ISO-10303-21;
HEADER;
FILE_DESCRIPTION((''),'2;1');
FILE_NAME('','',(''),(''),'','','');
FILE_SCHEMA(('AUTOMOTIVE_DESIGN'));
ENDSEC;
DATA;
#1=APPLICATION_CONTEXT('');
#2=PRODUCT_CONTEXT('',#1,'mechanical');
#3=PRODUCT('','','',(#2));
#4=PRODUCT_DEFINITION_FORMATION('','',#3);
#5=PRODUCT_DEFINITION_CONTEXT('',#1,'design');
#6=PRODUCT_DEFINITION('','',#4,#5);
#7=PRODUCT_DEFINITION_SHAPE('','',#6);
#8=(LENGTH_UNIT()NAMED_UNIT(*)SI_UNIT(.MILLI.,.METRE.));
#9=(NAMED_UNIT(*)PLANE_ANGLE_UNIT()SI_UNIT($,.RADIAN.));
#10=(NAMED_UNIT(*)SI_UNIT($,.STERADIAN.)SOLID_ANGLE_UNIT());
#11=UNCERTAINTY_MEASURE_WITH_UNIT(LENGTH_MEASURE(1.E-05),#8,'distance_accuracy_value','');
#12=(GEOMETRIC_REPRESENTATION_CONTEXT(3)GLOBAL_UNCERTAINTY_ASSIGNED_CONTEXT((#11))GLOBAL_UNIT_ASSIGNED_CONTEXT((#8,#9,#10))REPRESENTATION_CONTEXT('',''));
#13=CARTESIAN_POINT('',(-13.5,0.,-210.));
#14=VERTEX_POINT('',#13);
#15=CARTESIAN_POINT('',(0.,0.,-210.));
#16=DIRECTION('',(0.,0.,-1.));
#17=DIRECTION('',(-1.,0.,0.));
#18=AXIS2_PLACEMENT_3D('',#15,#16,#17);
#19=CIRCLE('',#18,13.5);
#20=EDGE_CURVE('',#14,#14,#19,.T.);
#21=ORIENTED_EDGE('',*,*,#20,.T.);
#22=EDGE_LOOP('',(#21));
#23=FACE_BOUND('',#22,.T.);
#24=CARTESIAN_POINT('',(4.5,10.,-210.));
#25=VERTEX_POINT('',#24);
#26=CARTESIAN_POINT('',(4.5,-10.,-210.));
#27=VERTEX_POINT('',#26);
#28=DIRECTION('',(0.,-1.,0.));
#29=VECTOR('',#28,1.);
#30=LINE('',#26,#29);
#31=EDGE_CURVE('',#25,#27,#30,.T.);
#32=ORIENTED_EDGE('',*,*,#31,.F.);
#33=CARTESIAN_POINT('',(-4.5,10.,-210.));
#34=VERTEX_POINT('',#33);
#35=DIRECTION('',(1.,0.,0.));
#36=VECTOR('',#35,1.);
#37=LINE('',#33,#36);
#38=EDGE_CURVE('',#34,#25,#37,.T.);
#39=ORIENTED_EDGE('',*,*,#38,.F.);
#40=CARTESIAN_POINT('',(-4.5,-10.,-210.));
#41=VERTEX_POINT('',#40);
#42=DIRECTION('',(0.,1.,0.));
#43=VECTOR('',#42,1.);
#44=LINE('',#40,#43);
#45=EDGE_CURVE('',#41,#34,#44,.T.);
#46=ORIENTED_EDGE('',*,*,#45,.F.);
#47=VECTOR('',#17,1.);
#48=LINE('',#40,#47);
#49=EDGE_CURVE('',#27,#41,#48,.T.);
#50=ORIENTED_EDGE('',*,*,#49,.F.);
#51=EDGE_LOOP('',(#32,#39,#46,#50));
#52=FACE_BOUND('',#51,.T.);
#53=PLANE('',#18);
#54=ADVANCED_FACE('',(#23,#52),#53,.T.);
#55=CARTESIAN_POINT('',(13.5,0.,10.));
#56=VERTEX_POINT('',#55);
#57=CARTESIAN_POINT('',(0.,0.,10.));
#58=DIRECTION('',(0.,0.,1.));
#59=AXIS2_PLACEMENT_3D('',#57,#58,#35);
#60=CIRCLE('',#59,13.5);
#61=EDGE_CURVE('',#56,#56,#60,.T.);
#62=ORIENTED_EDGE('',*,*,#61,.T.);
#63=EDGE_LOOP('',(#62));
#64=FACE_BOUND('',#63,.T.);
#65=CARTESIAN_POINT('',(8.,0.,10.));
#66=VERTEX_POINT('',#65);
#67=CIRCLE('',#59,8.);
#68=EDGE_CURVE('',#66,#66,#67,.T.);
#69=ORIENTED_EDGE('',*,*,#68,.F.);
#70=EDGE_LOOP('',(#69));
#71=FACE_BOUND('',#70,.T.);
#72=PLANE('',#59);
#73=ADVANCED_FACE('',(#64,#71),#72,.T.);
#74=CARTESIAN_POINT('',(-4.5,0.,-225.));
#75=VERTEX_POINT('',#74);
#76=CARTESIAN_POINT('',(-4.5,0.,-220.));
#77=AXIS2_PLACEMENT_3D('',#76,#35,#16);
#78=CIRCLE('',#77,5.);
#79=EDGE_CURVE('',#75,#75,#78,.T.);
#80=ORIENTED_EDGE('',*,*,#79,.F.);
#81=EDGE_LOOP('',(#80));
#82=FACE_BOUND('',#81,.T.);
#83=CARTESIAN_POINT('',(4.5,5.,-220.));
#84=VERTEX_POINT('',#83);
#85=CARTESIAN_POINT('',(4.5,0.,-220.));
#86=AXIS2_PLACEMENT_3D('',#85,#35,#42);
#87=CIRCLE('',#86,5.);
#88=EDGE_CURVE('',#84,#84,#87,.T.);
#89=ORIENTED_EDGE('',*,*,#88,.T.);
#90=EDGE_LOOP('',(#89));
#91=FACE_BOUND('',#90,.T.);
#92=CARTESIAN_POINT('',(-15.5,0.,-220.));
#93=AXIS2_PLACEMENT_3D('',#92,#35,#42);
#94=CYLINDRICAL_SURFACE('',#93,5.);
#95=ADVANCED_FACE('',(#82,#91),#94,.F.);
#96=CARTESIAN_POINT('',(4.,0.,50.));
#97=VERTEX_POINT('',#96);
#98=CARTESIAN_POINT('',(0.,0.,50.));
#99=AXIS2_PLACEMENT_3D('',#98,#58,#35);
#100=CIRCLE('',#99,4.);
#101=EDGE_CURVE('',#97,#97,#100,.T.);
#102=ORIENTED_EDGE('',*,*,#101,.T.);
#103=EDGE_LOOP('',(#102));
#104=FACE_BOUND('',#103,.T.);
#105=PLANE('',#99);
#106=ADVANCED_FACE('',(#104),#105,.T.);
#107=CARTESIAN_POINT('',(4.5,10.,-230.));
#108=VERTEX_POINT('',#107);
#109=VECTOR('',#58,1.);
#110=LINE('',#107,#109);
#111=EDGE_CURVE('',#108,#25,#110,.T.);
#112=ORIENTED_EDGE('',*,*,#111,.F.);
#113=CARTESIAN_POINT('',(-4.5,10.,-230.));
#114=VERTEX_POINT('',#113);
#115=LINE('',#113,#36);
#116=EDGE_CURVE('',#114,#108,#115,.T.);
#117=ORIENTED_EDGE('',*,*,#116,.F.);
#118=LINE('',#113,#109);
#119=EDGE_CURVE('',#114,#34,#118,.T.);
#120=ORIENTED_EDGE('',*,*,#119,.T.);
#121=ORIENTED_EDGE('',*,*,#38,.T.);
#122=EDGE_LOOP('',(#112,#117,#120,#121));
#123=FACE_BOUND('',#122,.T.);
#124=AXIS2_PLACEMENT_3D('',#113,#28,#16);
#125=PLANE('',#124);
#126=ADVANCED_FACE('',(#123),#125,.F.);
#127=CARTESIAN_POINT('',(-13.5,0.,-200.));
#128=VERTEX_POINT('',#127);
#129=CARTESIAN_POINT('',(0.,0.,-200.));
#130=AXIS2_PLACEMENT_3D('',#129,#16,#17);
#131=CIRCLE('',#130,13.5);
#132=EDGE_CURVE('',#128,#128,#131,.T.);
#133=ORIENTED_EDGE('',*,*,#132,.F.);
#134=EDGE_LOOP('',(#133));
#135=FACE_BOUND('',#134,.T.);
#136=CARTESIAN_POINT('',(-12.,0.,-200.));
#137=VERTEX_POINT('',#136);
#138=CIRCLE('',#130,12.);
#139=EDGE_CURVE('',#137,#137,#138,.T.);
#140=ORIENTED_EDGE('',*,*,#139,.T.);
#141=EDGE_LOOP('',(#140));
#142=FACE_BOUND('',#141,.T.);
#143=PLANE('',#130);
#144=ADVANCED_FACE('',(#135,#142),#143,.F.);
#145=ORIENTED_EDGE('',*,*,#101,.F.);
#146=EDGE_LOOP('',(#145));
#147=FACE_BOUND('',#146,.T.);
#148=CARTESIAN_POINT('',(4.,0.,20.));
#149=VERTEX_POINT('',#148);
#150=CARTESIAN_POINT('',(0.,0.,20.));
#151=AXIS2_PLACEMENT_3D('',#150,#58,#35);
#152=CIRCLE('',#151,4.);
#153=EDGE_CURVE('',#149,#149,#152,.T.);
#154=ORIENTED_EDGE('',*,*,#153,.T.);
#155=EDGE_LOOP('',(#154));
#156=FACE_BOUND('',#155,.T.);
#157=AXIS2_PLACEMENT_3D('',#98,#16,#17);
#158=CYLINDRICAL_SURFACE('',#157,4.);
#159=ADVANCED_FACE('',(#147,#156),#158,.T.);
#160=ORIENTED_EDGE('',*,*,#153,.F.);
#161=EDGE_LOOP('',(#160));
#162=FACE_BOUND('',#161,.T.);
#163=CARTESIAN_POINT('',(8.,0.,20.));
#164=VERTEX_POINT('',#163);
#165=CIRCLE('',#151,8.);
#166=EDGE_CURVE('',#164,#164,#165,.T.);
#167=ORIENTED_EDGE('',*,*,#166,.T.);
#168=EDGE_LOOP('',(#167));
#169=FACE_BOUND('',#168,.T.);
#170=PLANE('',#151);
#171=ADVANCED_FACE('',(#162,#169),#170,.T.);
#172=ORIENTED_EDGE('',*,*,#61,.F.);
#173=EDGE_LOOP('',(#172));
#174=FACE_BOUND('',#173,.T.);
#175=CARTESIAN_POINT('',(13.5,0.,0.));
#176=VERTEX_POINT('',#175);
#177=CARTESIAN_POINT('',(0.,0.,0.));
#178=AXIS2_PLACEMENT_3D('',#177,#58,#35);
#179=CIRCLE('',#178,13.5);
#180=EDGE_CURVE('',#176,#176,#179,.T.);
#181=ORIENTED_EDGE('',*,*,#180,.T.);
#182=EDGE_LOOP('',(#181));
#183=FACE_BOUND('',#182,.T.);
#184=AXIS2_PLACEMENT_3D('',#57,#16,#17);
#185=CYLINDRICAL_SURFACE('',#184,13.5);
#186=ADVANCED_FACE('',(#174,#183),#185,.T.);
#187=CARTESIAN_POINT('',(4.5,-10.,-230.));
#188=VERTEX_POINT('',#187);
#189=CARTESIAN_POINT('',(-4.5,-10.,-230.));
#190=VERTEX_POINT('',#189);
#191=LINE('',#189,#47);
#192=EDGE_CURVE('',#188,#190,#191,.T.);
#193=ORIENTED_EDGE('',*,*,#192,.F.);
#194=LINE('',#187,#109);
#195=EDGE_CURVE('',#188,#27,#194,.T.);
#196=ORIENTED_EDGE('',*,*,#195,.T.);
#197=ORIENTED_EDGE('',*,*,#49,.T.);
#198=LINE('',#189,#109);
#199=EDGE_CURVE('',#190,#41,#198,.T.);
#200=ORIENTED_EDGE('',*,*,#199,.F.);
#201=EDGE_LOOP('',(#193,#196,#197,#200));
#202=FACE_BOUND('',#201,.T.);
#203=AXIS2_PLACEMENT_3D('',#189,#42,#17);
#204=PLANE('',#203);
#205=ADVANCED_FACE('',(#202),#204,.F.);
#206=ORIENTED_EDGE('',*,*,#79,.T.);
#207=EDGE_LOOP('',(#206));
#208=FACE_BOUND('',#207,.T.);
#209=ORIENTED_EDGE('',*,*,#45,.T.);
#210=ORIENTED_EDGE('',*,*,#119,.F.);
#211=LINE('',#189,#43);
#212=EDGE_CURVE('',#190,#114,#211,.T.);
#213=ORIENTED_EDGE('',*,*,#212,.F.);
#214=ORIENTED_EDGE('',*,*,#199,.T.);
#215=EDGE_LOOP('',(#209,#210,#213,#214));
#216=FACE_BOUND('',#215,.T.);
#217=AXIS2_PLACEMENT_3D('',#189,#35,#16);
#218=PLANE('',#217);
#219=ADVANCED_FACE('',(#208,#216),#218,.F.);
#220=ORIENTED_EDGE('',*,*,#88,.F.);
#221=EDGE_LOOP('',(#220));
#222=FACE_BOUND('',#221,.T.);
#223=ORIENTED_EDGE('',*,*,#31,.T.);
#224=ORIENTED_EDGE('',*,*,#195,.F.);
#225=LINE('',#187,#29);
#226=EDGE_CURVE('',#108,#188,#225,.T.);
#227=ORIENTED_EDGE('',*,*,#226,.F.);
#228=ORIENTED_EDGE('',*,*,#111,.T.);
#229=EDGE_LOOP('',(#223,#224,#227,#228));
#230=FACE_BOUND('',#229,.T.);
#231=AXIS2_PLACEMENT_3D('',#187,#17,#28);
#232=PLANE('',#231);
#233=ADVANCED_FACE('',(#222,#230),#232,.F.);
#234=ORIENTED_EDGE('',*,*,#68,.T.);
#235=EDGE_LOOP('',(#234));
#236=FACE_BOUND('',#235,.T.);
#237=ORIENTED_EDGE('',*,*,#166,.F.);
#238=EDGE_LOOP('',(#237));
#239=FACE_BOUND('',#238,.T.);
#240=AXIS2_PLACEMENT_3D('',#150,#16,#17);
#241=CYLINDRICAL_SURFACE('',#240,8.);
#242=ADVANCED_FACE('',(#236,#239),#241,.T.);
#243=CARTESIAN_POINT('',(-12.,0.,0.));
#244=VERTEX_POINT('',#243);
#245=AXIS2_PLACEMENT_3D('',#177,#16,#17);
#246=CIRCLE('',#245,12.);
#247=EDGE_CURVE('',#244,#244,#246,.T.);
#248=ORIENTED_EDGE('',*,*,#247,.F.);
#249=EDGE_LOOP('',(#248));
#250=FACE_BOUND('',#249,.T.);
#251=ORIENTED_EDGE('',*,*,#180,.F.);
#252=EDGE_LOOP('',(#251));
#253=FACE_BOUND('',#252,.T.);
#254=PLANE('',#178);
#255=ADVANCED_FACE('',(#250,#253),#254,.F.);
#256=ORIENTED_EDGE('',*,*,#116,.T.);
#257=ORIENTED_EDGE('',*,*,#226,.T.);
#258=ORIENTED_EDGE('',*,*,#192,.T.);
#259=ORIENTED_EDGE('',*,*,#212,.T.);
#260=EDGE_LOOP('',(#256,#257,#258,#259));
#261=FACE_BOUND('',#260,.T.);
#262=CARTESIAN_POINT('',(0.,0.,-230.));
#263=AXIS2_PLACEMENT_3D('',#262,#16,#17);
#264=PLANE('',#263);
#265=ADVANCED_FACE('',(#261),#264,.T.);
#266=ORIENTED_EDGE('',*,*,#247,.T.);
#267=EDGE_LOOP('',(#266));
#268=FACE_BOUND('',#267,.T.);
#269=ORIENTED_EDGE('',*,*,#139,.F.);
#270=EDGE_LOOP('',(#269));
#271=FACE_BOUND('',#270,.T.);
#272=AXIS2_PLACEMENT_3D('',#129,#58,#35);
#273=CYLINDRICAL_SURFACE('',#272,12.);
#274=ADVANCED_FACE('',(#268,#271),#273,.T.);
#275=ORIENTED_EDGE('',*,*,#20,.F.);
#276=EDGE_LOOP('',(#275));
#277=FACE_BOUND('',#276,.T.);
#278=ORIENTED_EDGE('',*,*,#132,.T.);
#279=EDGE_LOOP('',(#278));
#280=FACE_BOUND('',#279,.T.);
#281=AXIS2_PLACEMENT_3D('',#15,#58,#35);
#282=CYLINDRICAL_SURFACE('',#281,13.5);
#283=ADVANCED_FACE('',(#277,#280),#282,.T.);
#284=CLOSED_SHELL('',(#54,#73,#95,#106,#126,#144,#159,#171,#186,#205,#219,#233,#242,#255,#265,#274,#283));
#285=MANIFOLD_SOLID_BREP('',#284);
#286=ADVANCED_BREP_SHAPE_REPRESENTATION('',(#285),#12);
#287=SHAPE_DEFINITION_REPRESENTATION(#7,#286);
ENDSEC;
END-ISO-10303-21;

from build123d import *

# Parameters (mm, degrees)
SKETCH1_R           = 13.5
BOSS_EXTRUDE1_DEPTH = 10
SKETCH2_R           = 8
BOSS_EXTRUDE2_DEPTH = 10
SKETCH3_R           = 12
BOSS_EXTRUDE3_DEPTH = 200
BOSS_EXTRUDE4_START = 10
SKETCH4_R           = 13.5
BOSS_EXTRUDE4_DEPTH = 10
SKETCH5_W           = 9
SKETCH5_H           = 20
BOSS_EXTRUDE5_DEPTH = 20
SKETCH6_R           = 5
CUT_EXTRUDE1_DEPTH  = 20
SKETCH8_R           = 4
BOSS_EXTRUDE6_DEPTH = 30


with BuildPart() as part:
    # Sketch1 → Boss-Extrude1 (new body)
    with BuildSketch(Plane.XY):
        Circle(SKETCH1_R)
    extrude(amount=BOSS_EXTRUDE1_DEPTH)

    # Sketch2 → Boss-Extrude2 (add)
    with BuildSketch(Plane.XY.offset(10)):
        Circle(SKETCH2_R)
    extrude(amount=BOSS_EXTRUDE2_DEPTH)

    # Sketch3 → Boss-Extrude3 (add)
    with BuildSketch(Plane(origin=(0, 0, 0), x_dir=(-1, 0, 0), z_dir=(0, 0, -1))):
        Circle(SKETCH3_R)
    extrude(amount=BOSS_EXTRUDE3_DEPTH)

    # Sketch4 → Boss-Extrude4 (add)
    with BuildSketch(Plane(origin=(0, 0, -200), x_dir=(-1, 0, 0), z_dir=(0, 0, -1)).offset(BOSS_EXTRUDE4_START)):
        with Locations(Location((0, 0, 0), (0, 0, 180))):
            Circle(SKETCH4_R)
    extrude(amount=-BOSS_EXTRUDE4_DEPTH)

    # Sketch5 → Boss-Extrude5 (add)
    with BuildSketch(Plane(origin=(0, 0, -210), x_dir=(-1, 0, 0), z_dir=(0, 0, -1))):
        Rectangle(SKETCH5_W, SKETCH5_H)
    extrude(amount=BOSS_EXTRUDE5_DEPTH)

    # Sketch6 → Cut-Extrude1 (cut)
    with BuildSketch(Plane(origin=(4.5, 0, 0), x_dir=(0, 0, -1), z_dir=(1, 0, 0))):
        with Locations(Location((220, 0, 0), (0, 0, 90))):
            Circle(SKETCH6_R)
    extrude(amount=-CUT_EXTRUDE1_DEPTH, mode=Mode.SUBTRACT)

    # Sketch8 → Boss-Extrude6 (add)
    with BuildSketch(Plane.XY.offset(20)):
        Circle(SKETCH8_R)
    extrude(amount=BOSS_EXTRUDE6_DEPTH)


solid = part.part
